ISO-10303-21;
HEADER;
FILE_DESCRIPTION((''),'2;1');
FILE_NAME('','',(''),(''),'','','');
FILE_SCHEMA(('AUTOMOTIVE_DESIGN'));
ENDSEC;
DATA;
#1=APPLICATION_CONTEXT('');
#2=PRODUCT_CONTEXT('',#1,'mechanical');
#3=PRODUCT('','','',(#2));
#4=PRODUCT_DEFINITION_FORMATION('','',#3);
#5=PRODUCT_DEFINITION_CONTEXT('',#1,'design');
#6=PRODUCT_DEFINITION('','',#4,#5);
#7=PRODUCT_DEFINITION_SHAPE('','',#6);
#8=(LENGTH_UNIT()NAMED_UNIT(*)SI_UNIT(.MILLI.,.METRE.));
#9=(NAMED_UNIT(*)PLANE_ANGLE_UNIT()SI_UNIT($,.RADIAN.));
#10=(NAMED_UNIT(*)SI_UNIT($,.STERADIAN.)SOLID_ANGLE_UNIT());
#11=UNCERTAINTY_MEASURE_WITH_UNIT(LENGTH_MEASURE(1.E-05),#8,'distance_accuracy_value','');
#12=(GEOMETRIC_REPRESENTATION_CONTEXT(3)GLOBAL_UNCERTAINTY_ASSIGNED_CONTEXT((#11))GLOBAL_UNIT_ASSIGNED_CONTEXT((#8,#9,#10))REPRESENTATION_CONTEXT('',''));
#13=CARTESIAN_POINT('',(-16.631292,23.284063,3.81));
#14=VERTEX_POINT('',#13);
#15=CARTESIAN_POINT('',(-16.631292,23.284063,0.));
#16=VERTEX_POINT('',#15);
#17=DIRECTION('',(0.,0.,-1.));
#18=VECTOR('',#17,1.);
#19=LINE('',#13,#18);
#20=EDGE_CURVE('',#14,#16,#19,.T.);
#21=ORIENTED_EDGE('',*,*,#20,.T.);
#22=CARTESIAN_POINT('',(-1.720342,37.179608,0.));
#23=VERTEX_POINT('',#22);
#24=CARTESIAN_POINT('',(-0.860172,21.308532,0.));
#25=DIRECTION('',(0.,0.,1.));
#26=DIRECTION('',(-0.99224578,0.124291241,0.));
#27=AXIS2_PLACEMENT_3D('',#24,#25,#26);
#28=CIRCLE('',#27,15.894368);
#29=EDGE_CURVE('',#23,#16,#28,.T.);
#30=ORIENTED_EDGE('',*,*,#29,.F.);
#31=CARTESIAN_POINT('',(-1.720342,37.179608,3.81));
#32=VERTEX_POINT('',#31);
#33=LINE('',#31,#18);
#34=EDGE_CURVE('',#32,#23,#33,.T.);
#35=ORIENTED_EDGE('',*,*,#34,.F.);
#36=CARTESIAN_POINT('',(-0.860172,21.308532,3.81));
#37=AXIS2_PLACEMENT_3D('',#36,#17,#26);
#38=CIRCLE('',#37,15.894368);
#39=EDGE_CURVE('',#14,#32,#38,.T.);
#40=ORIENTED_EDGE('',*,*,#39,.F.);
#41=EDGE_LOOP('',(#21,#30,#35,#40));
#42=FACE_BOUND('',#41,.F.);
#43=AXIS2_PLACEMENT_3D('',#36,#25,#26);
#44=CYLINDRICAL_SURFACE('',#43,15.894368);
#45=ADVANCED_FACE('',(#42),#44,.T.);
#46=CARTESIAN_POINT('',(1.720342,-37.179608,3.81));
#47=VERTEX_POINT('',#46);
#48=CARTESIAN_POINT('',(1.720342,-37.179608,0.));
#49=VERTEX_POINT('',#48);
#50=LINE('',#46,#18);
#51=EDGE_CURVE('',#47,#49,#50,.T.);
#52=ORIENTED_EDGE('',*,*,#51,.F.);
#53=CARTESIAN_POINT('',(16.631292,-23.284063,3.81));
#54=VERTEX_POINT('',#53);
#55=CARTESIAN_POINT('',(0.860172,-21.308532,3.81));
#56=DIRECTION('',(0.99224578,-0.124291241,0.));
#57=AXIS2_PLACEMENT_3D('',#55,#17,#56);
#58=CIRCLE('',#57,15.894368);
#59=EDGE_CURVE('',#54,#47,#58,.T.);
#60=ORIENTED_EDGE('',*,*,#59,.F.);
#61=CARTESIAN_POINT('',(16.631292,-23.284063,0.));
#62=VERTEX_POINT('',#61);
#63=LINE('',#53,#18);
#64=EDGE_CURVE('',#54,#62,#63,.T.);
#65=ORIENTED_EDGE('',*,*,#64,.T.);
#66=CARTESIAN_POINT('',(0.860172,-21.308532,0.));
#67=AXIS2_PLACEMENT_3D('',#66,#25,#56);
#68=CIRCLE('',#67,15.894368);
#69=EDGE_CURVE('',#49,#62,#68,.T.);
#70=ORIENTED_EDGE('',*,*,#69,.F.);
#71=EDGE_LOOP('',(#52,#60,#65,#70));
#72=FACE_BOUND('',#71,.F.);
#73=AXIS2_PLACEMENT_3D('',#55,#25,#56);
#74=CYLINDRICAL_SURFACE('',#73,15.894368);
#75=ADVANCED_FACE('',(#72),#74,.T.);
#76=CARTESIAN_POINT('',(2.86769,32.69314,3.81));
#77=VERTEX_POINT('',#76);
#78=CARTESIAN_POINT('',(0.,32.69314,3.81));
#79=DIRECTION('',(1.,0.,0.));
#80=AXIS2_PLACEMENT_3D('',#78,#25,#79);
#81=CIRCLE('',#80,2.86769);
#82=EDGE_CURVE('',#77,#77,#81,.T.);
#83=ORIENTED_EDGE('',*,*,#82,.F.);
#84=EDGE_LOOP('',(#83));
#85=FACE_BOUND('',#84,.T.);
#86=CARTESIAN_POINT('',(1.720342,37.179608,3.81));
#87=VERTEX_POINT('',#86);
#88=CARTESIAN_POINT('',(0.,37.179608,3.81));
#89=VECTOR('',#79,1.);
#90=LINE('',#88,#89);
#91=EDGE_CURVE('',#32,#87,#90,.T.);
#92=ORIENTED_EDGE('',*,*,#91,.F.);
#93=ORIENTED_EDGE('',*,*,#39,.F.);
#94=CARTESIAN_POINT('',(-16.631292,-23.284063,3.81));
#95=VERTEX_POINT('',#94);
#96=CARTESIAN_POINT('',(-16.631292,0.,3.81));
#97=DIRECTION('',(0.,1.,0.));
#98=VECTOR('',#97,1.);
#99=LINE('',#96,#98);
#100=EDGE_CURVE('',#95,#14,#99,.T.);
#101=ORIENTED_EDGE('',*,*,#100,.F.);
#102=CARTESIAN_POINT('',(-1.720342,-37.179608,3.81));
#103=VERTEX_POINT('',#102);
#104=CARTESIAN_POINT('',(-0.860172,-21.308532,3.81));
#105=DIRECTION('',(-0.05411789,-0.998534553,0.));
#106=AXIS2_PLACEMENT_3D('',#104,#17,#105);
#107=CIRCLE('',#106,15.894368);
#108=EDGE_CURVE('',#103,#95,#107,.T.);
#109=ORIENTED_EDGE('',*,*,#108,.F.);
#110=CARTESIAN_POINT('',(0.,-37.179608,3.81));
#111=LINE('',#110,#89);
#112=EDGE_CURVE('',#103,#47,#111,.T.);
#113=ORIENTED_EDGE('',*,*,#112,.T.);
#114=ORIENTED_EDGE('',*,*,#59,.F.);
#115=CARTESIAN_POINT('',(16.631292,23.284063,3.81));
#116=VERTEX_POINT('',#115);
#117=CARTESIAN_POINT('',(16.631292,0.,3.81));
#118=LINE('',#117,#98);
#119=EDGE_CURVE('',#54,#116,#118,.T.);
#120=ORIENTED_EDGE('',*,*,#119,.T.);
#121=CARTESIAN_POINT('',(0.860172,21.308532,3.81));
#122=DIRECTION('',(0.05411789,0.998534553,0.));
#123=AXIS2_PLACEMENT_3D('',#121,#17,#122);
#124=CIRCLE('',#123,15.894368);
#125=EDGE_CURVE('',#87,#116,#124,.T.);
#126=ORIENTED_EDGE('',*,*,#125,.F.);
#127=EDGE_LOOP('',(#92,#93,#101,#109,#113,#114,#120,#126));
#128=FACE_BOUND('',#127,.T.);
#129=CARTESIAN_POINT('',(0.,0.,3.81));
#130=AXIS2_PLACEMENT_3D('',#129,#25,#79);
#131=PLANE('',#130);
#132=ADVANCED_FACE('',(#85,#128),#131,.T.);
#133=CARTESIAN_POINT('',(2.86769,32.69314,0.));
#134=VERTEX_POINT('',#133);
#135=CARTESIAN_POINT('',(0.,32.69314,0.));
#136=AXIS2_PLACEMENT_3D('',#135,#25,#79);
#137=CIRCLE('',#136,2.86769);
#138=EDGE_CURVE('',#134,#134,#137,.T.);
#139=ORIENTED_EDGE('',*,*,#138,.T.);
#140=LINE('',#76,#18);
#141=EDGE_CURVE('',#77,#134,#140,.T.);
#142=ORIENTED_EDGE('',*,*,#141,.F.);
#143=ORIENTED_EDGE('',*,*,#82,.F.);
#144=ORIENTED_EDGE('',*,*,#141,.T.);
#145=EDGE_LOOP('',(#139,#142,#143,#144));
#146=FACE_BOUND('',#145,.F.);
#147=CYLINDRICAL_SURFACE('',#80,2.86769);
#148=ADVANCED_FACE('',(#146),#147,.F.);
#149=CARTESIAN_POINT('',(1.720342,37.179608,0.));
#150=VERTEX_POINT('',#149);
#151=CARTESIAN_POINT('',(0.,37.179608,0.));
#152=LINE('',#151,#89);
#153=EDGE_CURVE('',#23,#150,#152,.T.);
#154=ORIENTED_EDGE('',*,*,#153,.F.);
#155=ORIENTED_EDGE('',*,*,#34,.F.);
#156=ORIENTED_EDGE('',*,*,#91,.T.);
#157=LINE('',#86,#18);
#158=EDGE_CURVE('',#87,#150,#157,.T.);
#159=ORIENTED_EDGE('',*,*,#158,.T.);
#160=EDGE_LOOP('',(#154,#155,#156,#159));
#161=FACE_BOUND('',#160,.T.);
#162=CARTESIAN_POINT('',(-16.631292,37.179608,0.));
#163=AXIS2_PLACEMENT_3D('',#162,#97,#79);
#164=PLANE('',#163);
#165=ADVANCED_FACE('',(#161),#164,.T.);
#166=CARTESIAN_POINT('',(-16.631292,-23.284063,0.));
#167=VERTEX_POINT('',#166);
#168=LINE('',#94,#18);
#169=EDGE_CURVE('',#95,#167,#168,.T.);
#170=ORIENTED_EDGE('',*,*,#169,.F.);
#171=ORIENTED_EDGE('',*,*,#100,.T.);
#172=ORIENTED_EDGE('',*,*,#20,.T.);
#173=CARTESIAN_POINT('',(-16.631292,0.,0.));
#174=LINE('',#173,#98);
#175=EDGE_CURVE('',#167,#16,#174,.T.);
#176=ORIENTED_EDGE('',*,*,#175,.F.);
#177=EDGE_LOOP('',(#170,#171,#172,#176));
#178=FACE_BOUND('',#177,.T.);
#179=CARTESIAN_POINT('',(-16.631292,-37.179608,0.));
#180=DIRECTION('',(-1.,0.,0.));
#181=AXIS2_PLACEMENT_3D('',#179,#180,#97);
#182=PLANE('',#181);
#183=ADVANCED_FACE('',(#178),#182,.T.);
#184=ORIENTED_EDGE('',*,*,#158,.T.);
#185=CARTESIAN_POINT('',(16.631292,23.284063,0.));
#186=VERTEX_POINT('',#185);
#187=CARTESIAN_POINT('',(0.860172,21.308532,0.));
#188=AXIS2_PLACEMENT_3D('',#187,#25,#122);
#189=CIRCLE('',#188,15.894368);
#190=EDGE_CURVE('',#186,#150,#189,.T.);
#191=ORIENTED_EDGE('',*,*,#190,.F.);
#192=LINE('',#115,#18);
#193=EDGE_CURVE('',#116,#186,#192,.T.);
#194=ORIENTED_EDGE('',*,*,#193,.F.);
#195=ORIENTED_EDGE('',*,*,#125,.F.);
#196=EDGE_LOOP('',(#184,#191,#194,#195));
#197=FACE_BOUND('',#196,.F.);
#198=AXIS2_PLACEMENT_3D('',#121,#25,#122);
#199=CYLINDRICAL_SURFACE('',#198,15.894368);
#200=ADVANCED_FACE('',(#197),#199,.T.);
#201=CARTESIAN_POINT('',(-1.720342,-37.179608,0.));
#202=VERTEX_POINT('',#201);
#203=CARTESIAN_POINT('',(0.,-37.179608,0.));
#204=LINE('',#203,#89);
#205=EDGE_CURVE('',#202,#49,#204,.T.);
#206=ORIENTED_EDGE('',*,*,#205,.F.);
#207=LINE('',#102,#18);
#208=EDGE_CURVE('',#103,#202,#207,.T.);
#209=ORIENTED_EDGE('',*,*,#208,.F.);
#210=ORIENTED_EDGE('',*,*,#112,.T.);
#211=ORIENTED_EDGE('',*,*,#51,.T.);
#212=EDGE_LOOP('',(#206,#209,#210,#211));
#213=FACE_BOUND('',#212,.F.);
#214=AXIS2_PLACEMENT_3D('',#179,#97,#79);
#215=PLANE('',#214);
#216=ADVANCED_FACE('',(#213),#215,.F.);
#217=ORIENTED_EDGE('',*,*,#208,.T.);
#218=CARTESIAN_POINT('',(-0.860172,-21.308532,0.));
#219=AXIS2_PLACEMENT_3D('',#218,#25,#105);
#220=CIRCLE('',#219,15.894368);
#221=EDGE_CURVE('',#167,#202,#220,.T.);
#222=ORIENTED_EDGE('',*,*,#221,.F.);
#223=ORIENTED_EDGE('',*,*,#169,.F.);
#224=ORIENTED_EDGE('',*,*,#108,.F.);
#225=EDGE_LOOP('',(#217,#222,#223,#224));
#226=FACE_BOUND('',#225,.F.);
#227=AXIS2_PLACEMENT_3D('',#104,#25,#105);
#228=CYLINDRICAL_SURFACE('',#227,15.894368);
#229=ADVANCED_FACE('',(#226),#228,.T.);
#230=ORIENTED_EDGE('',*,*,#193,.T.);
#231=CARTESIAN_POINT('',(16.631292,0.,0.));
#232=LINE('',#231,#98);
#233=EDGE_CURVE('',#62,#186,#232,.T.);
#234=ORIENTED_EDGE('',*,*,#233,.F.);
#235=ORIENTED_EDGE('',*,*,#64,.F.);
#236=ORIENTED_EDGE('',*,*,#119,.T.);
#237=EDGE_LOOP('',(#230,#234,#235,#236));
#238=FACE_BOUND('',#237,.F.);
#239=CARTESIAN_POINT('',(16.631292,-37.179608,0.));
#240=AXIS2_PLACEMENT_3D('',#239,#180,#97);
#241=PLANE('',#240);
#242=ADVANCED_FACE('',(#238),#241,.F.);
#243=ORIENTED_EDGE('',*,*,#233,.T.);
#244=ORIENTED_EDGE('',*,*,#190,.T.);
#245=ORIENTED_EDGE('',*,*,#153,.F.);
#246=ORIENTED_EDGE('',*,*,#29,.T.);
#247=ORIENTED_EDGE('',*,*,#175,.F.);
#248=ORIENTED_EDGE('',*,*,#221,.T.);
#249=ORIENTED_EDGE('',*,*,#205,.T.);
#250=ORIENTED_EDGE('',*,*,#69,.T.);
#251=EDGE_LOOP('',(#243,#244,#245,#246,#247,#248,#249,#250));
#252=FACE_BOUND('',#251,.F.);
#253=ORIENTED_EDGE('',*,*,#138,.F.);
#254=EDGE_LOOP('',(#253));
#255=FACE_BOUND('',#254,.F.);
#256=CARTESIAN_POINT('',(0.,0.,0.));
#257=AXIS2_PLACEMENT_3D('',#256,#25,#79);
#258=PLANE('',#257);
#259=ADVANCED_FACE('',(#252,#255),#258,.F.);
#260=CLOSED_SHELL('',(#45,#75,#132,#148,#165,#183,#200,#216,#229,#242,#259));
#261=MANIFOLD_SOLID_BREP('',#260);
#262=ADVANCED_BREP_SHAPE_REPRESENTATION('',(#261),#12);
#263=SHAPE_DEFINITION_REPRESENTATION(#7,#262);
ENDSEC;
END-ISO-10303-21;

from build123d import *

# Parameters (mm, degrees)
F0_W     = 33.262584
F0_H     = 74.359216
F1_DEPTH = 3.81
F2_R     = 2.86769
F3_DEPTH = 3.811


with BuildPart() as f1:
    # F0 (on Top) → F1 (new body)
    with BuildSketch(Plane.XY):
        Rectangle(F0_W, F0_H)
    extrude(amount=F1_DEPTH)

    # F2 (on face) → F3 (cut, through all)
    with BuildSketch(Plane.XY.offset(3.81)):
        with BuildLine():
            ThreePointArc((1.720342, 37.179608), (11.696292, 32.936492), (16.631292, 23.284063))
            Line((16.631292, 23.284063), (16.631292, 37.179608))
            Line((16.631292, 37.179608), (1.720342, 37.179608))
        make_face()
        with BuildLine():
            ThreePointArc((-16.631292, 23.284063), (-11.696292, 32.936492), (-1.720342, 37.179608))
            Line((-1.720342, 37.179608), (-16.631292, 37.179608))
            Line((-16.631292, 37.179608), (-16.631292, 23.284063))
        make_face()
        with BuildLine():
            Line((-16.631292, -37.179608), (-1.720342, -37.179608))
            ThreePointArc((-1.720342, -37.179608), (-11.696292, -32.936492), (-16.631292, -23.284063))
            Line((-16.631292, -23.284063), (-16.631292, -37.179608))
        make_face()
        with BuildLine():
            Line((16.631292, -37.179608), (16.631292, -23.284063))
            ThreePointArc((16.631292, -23.284063), (11.696292, -32.936492), (1.720342, -37.179608))
            Line((1.720342, -37.179608), (16.631292, -37.179608))
        make_face()
        with Locations((0, 32.69314)):
            Circle(F2_R)
    extrude(amount=-F3_DEPTH, mode=Mode.SUBTRACT)


solid = f1.part
